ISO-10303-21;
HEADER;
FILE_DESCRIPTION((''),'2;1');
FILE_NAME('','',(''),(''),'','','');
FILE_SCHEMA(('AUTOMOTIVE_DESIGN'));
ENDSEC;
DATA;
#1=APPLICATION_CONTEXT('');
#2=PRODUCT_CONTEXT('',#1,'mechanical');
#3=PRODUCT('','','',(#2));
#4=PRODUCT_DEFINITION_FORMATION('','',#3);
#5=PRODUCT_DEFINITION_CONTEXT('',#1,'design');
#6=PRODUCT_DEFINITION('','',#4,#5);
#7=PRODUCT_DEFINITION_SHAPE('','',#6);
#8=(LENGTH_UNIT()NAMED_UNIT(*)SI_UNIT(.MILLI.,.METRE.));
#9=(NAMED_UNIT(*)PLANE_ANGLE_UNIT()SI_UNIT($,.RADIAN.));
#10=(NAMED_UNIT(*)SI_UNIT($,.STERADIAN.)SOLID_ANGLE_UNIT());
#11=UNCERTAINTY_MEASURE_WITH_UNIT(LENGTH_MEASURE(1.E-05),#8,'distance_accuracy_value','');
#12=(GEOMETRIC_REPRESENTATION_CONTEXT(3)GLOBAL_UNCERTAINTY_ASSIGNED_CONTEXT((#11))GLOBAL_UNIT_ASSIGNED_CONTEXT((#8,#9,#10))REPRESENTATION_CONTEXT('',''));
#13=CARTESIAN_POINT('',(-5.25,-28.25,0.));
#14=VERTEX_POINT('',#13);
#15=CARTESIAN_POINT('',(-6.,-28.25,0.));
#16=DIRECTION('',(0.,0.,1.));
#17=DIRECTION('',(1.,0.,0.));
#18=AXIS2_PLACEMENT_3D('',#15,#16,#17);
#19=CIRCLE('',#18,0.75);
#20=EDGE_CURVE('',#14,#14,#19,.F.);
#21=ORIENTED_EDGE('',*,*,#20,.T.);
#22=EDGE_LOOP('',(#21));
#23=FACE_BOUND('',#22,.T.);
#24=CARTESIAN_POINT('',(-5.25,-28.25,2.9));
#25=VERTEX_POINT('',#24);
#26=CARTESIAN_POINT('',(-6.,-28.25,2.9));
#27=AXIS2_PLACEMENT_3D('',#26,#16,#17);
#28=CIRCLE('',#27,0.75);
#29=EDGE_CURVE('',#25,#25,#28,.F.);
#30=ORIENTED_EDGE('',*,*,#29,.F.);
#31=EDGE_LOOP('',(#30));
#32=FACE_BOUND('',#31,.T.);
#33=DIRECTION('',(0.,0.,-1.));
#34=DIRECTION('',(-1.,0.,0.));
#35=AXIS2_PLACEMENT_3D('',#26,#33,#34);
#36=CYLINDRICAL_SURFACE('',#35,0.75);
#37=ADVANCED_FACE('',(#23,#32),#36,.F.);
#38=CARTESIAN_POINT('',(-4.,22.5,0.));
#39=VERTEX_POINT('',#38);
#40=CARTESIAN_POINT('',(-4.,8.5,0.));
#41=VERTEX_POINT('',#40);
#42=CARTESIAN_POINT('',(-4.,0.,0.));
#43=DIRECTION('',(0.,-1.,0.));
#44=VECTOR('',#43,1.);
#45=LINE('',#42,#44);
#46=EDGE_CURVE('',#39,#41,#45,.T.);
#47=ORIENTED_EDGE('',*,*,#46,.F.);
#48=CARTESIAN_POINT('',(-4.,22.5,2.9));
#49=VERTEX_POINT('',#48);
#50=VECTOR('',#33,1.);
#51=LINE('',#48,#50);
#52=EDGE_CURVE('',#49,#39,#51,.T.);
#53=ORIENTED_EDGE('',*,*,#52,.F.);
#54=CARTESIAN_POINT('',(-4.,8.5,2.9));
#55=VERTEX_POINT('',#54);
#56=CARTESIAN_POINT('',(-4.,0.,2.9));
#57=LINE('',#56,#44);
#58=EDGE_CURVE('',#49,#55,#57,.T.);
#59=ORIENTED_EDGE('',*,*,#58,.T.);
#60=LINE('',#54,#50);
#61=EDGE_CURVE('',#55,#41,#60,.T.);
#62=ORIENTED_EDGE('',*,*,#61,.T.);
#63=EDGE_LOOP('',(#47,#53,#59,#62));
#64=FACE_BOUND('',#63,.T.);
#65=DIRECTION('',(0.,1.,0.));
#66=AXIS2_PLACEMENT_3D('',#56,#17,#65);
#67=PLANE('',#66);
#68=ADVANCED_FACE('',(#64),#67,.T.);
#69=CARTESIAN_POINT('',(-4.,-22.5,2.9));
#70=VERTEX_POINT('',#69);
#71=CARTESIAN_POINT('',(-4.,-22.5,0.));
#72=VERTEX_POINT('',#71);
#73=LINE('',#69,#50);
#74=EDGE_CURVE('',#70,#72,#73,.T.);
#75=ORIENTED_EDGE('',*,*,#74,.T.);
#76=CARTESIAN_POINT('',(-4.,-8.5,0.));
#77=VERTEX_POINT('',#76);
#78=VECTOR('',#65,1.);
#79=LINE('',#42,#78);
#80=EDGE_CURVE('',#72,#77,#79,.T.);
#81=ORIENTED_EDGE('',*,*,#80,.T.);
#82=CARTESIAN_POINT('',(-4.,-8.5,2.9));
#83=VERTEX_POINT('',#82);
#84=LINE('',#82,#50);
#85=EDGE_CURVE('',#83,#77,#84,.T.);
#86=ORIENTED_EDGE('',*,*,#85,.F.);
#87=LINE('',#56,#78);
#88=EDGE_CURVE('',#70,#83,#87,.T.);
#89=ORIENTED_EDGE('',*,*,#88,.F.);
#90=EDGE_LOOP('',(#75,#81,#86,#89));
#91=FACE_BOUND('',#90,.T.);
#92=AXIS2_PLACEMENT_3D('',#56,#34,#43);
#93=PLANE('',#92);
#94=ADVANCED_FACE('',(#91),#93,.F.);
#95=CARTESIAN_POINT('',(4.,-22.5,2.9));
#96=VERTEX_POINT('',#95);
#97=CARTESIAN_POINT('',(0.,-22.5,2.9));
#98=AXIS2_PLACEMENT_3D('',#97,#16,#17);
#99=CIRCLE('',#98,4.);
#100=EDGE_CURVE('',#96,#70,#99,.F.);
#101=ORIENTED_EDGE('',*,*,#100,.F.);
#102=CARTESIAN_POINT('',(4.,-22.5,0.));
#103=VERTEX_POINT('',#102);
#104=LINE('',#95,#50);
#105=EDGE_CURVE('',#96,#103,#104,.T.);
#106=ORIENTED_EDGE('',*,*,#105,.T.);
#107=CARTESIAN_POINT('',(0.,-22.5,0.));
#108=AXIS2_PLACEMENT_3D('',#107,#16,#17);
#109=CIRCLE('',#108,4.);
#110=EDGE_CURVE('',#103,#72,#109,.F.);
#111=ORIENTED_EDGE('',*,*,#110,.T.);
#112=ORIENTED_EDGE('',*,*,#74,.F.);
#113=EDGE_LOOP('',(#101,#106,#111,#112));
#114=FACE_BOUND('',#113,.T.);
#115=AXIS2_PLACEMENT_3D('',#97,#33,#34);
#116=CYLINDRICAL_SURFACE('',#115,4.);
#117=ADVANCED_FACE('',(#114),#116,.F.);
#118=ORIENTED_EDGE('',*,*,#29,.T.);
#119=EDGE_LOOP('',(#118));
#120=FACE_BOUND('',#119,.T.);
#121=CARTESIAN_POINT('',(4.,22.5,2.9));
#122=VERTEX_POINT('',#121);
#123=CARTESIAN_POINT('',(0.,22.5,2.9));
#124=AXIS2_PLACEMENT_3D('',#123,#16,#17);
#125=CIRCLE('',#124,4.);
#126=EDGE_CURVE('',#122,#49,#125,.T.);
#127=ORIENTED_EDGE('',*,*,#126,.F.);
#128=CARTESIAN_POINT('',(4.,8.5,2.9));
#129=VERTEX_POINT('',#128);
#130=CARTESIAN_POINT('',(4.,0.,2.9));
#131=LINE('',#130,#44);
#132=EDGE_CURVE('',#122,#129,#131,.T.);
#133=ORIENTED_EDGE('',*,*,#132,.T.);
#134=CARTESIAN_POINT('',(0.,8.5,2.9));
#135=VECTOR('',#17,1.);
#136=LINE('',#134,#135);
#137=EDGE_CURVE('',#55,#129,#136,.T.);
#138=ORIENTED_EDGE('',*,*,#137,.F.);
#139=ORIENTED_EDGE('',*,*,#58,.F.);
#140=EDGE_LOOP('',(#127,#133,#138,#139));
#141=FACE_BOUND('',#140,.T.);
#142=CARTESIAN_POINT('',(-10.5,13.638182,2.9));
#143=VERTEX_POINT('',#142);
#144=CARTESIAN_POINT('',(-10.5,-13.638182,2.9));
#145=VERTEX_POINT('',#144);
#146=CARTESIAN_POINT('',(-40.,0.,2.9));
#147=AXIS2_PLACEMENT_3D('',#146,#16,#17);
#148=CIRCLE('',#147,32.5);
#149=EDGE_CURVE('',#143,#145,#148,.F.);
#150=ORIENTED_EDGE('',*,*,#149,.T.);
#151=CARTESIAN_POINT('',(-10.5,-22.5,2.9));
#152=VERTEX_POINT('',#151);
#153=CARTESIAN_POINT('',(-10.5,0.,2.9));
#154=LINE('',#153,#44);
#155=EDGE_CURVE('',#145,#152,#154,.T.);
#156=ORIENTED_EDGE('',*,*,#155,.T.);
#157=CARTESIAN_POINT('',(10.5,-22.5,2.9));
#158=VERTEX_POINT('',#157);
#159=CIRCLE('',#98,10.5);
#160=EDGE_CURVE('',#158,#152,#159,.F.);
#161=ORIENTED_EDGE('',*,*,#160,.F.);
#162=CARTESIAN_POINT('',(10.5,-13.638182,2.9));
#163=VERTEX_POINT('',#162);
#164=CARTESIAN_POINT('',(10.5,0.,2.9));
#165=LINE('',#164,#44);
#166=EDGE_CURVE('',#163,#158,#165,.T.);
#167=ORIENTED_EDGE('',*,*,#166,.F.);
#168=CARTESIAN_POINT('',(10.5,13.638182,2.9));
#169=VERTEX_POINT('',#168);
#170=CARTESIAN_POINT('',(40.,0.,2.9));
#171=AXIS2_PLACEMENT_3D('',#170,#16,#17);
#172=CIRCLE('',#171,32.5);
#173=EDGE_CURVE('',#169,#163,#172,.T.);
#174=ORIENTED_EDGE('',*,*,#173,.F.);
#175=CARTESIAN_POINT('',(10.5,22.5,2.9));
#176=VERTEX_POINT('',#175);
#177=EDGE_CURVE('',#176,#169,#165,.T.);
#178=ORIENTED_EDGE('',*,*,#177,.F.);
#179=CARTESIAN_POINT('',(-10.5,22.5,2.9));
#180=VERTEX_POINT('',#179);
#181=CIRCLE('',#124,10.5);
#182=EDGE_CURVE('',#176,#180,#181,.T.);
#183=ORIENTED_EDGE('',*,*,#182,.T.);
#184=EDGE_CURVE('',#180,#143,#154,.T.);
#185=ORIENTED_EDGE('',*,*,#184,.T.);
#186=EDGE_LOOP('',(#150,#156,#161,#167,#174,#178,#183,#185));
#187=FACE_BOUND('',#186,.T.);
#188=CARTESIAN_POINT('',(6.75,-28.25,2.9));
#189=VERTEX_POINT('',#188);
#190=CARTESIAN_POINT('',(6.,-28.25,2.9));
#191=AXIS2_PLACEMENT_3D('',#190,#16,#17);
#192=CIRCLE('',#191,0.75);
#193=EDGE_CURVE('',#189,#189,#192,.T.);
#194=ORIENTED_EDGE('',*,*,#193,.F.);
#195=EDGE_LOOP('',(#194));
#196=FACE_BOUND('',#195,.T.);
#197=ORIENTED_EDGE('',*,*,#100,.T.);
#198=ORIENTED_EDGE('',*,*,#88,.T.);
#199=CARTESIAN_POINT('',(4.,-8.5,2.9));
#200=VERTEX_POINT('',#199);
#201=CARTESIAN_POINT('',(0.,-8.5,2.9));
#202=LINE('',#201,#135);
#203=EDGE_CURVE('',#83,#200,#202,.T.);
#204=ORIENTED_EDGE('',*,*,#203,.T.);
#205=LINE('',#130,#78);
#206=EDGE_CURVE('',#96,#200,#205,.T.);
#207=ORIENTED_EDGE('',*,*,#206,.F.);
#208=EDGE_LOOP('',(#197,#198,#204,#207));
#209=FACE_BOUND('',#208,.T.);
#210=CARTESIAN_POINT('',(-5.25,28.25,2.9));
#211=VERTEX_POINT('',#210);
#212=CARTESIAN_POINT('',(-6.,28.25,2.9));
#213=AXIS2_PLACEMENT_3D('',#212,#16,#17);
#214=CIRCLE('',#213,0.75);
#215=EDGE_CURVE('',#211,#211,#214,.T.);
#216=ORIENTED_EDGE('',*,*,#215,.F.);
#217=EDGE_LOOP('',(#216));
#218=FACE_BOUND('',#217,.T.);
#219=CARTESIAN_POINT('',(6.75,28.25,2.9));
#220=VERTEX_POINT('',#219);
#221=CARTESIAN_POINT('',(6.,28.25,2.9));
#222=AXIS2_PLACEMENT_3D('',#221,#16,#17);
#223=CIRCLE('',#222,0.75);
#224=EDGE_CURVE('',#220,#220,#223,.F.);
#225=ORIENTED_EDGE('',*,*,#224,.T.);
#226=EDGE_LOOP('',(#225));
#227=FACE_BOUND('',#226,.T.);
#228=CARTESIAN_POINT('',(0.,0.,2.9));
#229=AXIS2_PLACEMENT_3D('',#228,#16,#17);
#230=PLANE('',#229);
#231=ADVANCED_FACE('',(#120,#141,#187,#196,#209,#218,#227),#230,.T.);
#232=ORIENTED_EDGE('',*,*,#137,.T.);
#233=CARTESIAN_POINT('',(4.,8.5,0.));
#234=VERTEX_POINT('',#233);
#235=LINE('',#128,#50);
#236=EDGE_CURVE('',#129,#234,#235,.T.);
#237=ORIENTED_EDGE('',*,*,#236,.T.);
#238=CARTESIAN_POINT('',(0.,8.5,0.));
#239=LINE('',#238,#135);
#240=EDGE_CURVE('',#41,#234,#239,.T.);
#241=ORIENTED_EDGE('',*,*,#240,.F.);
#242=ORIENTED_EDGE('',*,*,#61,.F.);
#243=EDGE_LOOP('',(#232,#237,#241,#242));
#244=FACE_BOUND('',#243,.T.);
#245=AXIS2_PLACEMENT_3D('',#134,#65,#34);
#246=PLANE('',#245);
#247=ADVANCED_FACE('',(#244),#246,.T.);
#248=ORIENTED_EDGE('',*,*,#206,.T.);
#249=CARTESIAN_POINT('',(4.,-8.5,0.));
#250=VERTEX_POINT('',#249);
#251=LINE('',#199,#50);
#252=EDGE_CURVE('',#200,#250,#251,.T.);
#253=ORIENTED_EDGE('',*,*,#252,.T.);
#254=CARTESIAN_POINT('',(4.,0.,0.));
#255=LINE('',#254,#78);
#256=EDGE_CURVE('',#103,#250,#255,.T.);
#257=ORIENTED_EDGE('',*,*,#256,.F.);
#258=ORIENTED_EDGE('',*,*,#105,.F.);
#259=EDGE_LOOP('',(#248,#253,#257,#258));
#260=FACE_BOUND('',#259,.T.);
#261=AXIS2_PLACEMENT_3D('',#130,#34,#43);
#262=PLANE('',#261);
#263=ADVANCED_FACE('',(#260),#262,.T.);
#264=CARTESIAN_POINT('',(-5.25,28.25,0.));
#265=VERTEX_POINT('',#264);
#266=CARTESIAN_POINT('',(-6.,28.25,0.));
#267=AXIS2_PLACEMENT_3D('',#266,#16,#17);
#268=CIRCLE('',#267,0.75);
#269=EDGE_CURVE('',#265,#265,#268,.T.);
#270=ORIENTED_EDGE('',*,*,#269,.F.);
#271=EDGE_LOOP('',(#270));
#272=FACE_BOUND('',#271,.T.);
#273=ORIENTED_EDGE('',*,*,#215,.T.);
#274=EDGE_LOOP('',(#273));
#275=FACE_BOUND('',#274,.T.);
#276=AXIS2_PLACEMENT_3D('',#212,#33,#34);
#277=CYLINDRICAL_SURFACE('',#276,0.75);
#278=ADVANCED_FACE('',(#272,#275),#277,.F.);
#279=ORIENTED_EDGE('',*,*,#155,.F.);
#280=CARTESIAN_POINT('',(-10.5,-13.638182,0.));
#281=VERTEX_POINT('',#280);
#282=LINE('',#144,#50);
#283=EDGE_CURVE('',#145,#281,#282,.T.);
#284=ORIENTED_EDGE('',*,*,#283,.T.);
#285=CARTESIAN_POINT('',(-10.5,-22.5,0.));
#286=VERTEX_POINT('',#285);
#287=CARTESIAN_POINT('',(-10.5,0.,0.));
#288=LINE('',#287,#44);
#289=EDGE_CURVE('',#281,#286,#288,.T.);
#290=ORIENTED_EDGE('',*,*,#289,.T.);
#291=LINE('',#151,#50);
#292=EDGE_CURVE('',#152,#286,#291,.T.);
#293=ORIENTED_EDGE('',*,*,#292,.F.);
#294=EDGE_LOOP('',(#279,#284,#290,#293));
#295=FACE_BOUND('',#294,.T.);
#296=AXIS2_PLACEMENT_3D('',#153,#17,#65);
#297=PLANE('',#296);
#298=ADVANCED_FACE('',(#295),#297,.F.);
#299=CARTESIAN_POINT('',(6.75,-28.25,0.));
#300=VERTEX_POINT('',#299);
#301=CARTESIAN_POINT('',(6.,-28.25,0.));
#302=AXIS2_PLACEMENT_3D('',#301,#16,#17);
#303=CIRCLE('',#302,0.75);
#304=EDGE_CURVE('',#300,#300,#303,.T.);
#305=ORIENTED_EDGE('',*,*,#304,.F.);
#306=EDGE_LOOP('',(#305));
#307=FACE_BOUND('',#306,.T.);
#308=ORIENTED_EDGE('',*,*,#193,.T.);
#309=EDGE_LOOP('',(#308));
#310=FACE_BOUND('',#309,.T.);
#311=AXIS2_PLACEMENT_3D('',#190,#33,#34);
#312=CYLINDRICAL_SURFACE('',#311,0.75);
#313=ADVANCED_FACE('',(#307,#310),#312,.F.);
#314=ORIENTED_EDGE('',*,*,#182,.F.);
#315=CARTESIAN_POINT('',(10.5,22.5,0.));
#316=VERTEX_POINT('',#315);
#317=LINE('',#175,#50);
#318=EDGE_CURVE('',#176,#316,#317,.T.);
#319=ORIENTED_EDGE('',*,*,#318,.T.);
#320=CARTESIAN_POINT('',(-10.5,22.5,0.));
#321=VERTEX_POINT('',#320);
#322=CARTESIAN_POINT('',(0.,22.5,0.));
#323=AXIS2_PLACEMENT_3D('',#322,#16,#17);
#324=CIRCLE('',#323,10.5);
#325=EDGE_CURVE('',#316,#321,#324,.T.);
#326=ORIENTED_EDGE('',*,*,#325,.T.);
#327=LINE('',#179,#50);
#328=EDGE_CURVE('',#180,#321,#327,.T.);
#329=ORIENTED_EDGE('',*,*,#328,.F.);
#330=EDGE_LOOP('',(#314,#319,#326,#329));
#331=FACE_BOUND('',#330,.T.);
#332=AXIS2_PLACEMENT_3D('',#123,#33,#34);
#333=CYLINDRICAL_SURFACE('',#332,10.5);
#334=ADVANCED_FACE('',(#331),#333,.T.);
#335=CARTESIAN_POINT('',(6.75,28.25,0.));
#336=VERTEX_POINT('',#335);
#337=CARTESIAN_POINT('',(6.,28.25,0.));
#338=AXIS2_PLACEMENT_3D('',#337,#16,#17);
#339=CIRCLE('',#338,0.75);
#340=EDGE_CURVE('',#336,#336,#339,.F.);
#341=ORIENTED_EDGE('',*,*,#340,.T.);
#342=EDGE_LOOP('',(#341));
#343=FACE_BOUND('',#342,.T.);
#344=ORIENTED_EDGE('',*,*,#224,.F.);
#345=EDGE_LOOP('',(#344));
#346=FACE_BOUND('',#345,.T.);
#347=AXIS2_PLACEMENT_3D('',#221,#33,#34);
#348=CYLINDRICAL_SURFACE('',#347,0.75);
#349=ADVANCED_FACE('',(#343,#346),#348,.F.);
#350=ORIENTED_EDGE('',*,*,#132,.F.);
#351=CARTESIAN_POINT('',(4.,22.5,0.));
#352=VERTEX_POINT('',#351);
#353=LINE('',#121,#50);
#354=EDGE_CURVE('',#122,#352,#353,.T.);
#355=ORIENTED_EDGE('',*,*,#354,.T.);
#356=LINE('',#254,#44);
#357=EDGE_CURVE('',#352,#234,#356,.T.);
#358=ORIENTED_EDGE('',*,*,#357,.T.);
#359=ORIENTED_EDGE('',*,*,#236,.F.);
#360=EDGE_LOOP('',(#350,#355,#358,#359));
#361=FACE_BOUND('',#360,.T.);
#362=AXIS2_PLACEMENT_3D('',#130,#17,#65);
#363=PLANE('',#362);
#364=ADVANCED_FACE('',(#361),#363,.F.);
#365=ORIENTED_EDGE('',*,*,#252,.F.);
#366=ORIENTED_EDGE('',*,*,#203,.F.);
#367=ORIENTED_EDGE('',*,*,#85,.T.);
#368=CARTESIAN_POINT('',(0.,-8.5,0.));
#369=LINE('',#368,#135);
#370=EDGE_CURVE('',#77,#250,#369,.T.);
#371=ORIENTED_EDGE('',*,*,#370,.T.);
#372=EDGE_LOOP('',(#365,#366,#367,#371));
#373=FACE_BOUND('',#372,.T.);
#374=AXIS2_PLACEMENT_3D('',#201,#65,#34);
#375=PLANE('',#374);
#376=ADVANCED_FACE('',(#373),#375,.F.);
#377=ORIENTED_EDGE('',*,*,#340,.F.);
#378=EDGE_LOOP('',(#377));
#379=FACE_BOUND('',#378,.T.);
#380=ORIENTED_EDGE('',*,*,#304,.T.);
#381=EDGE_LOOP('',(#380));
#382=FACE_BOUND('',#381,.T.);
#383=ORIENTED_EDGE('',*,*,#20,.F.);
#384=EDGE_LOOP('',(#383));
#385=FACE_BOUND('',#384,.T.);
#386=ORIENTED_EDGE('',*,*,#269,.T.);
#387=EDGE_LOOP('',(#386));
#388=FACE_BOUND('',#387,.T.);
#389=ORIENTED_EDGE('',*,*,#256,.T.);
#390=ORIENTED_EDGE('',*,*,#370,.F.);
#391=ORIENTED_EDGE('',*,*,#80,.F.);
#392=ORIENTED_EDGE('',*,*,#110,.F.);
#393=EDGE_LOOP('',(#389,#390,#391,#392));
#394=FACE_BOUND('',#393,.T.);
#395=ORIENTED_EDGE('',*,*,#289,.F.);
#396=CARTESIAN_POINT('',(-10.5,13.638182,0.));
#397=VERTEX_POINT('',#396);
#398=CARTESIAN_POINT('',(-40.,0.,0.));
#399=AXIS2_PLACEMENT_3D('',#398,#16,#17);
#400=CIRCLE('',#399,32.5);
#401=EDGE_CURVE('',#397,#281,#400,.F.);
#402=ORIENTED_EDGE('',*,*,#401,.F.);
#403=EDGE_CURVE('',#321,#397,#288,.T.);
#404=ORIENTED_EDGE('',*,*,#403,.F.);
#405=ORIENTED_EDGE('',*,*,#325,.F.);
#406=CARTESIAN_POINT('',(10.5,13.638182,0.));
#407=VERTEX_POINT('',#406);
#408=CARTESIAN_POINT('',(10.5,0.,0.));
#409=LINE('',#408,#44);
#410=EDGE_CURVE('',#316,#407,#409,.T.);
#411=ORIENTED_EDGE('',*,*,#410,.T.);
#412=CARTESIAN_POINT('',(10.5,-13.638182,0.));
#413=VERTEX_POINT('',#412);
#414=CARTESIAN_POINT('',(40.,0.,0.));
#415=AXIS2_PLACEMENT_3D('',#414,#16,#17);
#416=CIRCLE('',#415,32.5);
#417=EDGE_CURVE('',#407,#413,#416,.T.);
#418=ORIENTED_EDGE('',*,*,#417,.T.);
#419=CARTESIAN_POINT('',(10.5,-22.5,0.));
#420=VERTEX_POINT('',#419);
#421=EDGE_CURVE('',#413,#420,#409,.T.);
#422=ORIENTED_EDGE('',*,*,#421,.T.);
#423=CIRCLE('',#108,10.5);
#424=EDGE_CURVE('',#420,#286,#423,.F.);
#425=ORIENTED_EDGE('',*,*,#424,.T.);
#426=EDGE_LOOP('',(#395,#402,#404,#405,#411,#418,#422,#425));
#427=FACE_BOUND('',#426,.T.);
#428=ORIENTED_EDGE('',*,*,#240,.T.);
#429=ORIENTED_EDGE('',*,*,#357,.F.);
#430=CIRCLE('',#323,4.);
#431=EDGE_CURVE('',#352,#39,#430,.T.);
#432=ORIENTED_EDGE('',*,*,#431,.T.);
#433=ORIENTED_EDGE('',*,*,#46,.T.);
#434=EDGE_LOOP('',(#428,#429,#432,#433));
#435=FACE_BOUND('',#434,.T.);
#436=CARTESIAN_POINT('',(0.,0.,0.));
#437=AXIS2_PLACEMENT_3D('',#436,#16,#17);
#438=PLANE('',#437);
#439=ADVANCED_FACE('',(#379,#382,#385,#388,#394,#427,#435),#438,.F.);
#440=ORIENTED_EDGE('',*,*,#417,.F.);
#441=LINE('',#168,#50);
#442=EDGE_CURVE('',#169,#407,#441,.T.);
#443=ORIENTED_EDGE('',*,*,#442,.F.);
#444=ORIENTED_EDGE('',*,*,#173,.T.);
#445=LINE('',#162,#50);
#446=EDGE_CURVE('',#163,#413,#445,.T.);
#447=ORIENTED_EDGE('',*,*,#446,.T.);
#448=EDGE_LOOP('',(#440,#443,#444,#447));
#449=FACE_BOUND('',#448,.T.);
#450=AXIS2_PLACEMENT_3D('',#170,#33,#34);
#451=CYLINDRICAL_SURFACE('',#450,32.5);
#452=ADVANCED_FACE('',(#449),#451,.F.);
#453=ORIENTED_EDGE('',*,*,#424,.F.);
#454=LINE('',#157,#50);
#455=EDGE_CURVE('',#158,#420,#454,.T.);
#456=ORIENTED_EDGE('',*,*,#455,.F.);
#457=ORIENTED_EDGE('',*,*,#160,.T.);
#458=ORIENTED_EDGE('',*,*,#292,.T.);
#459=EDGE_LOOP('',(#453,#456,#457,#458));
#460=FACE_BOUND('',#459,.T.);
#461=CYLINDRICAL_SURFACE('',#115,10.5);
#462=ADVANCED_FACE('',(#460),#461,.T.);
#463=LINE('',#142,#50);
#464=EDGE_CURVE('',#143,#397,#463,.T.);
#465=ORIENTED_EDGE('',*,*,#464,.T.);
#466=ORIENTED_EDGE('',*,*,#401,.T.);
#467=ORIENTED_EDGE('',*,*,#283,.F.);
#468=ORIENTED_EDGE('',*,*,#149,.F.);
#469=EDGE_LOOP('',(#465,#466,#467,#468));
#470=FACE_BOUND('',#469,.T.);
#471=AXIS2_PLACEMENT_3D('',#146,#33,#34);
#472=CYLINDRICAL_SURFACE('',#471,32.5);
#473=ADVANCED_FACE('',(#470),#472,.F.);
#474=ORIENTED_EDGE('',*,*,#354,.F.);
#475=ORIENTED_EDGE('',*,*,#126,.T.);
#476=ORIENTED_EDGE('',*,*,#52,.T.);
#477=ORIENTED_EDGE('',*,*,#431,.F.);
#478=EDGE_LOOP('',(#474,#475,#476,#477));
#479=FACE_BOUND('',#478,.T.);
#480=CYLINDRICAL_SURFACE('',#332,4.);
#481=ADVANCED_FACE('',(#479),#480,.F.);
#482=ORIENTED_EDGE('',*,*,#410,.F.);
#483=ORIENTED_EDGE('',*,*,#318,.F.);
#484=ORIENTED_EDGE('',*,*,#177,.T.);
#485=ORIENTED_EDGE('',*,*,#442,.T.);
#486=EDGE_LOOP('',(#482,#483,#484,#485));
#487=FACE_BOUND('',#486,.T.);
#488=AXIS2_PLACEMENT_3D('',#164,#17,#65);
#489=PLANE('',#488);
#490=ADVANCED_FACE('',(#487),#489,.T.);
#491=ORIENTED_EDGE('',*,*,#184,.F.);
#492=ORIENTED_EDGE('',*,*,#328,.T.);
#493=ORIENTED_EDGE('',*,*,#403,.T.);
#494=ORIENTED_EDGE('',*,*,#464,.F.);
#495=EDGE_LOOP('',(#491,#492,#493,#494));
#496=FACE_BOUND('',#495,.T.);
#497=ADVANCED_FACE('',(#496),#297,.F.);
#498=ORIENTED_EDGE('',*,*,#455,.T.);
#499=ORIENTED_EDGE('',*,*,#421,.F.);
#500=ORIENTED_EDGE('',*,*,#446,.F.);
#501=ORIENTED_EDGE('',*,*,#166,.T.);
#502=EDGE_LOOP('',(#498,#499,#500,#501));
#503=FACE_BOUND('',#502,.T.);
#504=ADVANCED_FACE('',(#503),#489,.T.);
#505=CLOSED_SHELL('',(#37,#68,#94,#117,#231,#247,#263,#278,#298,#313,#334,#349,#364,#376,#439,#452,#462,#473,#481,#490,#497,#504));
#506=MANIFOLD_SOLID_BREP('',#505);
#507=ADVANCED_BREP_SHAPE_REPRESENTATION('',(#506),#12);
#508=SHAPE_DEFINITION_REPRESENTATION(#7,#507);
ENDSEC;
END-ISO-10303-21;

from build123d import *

# Parameters (mm, degrees)
SKETCH_1_R      = 0.75
EXTRUDE_1_DEPTH = 2.9


with BuildPart() as part:
    # 草图1 → 凸台-拉伸1 (new body)
    with BuildSketch(Plane.XY):
        with BuildLine():
            Line((-10.5, 22.5), (-10.5, 13.638181697))
            ThreePointArc((-10.5, 13.638181697), (-7.5, 0), (-10.5, -13.638181697))
            Line((-10.5, -13.638181697), (-10.5, -22.5))
            ThreePointArc((-10.5, -22.5), (0, -33), (10.5, -22.5))
            Line((10.5, -22.5), (10.5, -13.638181697))
            ThreePointArc((10.5, -13.638181697), (7.5, 0), (10.5, 13.638181697))
            Line((10.5, 13.638181697), (10.5, 22.5))
            ThreePointArc((10.5, 22.5), (0, 33), (-10.5, 22.5))
        make_face()
        with Locations((6, 28.25)):
            Circle(SKETCH_1_R, mode=Mode.SUBTRACT)
        with Locations((-6, 28.25)):
            Circle(SKETCH_1_R, mode=Mode.SUBTRACT)
        with Locations((6, -28.25)):
            Circle(SKETCH_1_R, mode=Mode.SUBTRACT)
        with Locations((-6, -28.25)):
            Circle(SKETCH_1_R, mode=Mode.SUBTRACT)
        with BuildLine():
            ThreePointArc((4, 22.500000371), (-3.71e-07, 26.5), (-4, 22.499999629))
            Line((-4, 22.499999629), (-4, 8.5))
            Line((-4, 8.5), (4, 8.5))
            Line((4, 8.5), (4, 22.500000371))
        make_face(mode=Mode.SUBTRACT)
        with BuildLine():
            Line((4, -22.500000371), (4, -8.5))
            Line((4, -8.5), (-4, -8.5))
            Line((-4, -8.5), (-4, -22.499999629))
            ThreePointArc((-4, -22.499999629), (-3.71e-07, -26.5), (4, -22.500000371))
        make_face(mode=Mode.SUBTRACT)
    extrude(amount=EXTRUDE_1_DEPTH)


solid = part.part
